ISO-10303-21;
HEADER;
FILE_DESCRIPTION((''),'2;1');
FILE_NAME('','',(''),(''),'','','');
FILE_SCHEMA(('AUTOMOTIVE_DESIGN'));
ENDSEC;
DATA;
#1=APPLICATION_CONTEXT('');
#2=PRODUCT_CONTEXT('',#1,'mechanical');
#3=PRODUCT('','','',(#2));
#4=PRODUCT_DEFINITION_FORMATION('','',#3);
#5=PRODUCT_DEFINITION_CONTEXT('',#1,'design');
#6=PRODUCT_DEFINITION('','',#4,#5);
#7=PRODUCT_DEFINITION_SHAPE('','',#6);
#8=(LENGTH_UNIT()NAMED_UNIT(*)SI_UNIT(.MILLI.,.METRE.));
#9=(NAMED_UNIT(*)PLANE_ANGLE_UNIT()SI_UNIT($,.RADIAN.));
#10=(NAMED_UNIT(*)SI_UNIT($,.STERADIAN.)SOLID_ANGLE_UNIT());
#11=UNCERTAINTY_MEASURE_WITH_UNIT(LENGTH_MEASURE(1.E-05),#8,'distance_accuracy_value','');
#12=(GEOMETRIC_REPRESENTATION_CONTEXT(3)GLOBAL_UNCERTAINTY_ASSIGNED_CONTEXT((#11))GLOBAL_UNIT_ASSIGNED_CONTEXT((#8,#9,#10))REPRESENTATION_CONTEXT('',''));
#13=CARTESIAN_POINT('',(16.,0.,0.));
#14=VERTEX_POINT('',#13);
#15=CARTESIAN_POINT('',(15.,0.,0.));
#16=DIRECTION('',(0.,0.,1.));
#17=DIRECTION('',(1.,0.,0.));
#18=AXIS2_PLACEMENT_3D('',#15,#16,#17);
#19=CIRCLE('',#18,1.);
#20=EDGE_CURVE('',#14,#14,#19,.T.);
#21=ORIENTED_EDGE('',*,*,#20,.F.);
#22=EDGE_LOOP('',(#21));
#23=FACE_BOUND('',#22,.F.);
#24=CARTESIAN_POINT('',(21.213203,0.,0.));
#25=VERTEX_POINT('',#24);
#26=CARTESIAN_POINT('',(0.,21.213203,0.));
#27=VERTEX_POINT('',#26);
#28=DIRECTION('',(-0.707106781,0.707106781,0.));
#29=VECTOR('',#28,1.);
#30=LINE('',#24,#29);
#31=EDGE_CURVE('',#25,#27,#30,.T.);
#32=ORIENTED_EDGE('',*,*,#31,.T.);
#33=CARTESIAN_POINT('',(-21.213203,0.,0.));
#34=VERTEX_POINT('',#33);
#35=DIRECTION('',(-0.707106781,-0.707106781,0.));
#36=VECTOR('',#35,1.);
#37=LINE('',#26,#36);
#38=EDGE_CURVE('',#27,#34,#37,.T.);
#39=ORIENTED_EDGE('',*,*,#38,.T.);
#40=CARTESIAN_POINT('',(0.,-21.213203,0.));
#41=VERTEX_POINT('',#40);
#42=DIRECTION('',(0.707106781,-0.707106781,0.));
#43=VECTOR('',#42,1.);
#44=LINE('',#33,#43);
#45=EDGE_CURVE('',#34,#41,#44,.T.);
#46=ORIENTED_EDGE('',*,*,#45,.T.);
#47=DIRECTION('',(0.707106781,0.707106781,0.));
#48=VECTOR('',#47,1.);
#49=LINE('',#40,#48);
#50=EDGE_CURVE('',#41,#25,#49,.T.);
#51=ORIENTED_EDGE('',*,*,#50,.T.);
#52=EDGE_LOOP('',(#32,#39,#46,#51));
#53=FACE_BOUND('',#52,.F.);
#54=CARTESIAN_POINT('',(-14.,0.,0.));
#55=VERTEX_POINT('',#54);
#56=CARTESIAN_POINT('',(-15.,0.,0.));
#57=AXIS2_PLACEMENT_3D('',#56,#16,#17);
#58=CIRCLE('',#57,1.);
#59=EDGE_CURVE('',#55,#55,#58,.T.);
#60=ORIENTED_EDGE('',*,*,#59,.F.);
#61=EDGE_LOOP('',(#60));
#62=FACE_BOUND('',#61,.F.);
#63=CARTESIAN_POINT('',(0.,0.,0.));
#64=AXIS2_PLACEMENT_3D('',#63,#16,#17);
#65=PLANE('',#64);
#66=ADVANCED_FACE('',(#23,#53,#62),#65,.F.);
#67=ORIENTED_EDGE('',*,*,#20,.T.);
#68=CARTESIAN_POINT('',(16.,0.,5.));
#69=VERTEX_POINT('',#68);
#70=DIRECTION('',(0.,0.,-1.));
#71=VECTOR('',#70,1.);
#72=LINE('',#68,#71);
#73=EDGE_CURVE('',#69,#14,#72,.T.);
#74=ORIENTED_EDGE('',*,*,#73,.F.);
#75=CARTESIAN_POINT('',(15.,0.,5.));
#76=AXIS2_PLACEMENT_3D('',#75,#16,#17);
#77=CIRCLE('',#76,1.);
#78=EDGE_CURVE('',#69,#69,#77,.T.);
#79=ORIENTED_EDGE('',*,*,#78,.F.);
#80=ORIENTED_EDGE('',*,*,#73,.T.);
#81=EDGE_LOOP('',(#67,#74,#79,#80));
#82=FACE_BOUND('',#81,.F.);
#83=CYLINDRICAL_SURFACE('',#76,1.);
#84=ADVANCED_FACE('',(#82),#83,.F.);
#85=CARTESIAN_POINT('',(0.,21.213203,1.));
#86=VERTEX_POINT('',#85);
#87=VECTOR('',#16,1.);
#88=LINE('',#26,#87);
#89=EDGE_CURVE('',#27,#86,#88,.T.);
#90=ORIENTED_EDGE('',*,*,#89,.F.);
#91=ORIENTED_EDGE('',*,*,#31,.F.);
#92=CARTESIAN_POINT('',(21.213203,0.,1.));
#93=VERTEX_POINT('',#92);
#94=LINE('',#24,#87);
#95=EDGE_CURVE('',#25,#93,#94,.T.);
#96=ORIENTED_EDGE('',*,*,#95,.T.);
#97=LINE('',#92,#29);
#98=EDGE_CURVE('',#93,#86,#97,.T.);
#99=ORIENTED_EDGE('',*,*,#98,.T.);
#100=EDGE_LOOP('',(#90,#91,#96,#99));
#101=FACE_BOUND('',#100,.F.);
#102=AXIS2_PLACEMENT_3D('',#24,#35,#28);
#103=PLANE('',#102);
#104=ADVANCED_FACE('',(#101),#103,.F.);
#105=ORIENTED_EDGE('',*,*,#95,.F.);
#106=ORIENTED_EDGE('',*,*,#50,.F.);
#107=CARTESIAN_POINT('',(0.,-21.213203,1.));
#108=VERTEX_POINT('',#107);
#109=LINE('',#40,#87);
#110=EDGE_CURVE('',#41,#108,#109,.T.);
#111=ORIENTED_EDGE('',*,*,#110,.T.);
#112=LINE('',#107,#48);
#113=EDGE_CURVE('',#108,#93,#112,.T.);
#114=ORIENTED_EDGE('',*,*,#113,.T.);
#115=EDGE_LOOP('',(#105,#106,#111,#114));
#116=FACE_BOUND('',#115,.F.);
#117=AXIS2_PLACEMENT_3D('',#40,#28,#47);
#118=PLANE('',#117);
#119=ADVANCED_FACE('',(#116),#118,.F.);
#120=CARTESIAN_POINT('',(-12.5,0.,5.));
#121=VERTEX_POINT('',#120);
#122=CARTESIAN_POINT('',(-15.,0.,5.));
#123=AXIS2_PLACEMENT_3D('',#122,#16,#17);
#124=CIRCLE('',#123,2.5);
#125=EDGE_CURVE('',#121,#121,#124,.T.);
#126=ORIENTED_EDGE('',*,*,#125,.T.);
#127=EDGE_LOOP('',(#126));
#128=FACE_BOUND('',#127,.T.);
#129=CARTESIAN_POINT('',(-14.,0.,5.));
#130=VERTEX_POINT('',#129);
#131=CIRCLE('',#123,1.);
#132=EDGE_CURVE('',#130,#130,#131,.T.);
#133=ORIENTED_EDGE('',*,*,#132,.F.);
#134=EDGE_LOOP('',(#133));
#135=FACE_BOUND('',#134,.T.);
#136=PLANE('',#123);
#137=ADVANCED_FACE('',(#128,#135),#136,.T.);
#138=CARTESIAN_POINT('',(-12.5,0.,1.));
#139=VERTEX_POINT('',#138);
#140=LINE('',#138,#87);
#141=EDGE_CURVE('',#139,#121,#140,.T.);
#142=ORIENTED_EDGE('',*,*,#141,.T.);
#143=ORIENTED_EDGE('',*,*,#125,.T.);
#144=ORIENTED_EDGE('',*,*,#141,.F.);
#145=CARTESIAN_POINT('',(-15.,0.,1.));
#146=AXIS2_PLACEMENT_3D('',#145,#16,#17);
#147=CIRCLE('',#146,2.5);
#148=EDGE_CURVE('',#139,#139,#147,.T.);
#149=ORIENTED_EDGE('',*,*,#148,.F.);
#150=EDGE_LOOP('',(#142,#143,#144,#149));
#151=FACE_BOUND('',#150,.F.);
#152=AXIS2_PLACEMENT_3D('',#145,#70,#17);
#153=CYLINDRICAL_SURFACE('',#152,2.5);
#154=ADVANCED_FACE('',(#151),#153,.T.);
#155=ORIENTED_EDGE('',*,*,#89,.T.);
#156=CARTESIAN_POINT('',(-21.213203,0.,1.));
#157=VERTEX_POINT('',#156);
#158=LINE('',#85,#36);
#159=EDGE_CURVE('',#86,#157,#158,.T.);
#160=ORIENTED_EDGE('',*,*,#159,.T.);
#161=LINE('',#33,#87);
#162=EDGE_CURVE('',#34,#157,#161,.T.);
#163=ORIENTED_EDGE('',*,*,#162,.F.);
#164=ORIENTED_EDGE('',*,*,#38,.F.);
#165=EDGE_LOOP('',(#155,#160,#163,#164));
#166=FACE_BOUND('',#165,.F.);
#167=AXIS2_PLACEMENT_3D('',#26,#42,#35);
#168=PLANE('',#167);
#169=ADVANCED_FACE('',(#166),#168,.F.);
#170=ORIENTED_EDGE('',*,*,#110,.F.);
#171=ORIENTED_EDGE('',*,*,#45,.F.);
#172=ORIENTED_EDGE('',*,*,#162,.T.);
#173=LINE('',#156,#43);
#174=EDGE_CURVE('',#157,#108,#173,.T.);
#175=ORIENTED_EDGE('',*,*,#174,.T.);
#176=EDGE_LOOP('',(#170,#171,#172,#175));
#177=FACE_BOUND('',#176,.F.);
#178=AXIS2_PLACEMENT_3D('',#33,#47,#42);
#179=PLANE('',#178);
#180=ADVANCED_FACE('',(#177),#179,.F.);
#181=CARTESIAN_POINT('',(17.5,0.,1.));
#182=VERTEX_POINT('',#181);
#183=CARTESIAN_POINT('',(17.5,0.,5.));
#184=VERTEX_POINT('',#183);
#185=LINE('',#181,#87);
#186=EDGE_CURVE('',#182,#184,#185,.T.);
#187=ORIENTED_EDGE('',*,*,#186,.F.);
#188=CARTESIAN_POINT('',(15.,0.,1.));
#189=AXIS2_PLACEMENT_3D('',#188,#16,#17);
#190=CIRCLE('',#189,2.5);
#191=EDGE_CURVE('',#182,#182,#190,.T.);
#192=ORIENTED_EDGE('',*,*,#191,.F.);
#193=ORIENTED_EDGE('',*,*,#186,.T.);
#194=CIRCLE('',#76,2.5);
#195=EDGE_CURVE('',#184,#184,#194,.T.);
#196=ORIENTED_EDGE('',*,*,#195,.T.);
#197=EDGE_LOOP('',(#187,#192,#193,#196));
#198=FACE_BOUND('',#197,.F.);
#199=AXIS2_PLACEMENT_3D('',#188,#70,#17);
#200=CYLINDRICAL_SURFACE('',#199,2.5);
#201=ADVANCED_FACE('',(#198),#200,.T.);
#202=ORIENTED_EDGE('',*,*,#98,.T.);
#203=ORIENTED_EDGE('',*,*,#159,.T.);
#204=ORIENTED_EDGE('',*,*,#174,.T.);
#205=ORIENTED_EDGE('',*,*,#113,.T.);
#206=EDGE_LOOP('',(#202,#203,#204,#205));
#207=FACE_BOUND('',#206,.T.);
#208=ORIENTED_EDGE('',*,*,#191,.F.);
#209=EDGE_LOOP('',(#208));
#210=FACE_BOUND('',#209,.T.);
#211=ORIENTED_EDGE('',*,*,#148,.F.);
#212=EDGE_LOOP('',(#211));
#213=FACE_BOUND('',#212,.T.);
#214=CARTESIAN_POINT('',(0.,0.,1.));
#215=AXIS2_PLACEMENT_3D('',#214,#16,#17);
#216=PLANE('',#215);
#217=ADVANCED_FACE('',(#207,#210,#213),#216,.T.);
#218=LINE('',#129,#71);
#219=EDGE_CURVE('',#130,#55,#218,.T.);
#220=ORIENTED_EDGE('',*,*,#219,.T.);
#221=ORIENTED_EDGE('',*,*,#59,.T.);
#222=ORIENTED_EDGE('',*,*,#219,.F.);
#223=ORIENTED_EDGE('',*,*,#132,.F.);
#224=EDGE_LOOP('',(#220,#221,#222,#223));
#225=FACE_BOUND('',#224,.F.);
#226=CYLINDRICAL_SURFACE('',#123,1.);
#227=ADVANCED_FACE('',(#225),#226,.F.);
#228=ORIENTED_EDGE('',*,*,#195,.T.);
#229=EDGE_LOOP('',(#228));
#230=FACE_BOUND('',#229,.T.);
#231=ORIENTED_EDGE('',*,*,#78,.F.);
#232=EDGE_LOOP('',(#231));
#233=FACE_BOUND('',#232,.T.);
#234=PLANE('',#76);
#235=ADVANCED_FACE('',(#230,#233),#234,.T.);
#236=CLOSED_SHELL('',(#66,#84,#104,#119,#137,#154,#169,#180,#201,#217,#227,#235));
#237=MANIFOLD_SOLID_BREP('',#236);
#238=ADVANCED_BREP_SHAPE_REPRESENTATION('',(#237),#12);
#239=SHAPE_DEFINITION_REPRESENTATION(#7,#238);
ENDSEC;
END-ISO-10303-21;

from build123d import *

# Parameters (mm, degrees)
F1_DEPTH = 1
F2_R     = 2.5
F3_DEPTH = 4
F4_R     = 1
F5_DEPTH = 25


with BuildPart() as f1:
    # F0 (on Top) → F1 (new body)
    with BuildSketch(Plane.XY):
        Polygon((21.213203, 0), (0, 21.213203), (-21.213203, 0), (0, -21.213203), align=None)
    extrude(amount=F1_DEPTH)

    # F2 (on face) → F3 (join)
    with BuildSketch(Plane.XY.offset(1)):
        with Locations((-15, 0)):
            Circle(F2_R)
        with Locations((15, 0)):
            Circle(F2_R)
    extrude(amount=F3_DEPTH)

    # F4 (on face) → F5 (cut)
    with BuildSketch(Plane.XY.offset(5)):
        with Locations((-15, 0)):
            Circle(F4_R)
        with Locations((15, 0)):
            Circle(F4_R)
    extrude(amount=-F5_DEPTH, mode=Mode.SUBTRACT)


solid = f1.part
